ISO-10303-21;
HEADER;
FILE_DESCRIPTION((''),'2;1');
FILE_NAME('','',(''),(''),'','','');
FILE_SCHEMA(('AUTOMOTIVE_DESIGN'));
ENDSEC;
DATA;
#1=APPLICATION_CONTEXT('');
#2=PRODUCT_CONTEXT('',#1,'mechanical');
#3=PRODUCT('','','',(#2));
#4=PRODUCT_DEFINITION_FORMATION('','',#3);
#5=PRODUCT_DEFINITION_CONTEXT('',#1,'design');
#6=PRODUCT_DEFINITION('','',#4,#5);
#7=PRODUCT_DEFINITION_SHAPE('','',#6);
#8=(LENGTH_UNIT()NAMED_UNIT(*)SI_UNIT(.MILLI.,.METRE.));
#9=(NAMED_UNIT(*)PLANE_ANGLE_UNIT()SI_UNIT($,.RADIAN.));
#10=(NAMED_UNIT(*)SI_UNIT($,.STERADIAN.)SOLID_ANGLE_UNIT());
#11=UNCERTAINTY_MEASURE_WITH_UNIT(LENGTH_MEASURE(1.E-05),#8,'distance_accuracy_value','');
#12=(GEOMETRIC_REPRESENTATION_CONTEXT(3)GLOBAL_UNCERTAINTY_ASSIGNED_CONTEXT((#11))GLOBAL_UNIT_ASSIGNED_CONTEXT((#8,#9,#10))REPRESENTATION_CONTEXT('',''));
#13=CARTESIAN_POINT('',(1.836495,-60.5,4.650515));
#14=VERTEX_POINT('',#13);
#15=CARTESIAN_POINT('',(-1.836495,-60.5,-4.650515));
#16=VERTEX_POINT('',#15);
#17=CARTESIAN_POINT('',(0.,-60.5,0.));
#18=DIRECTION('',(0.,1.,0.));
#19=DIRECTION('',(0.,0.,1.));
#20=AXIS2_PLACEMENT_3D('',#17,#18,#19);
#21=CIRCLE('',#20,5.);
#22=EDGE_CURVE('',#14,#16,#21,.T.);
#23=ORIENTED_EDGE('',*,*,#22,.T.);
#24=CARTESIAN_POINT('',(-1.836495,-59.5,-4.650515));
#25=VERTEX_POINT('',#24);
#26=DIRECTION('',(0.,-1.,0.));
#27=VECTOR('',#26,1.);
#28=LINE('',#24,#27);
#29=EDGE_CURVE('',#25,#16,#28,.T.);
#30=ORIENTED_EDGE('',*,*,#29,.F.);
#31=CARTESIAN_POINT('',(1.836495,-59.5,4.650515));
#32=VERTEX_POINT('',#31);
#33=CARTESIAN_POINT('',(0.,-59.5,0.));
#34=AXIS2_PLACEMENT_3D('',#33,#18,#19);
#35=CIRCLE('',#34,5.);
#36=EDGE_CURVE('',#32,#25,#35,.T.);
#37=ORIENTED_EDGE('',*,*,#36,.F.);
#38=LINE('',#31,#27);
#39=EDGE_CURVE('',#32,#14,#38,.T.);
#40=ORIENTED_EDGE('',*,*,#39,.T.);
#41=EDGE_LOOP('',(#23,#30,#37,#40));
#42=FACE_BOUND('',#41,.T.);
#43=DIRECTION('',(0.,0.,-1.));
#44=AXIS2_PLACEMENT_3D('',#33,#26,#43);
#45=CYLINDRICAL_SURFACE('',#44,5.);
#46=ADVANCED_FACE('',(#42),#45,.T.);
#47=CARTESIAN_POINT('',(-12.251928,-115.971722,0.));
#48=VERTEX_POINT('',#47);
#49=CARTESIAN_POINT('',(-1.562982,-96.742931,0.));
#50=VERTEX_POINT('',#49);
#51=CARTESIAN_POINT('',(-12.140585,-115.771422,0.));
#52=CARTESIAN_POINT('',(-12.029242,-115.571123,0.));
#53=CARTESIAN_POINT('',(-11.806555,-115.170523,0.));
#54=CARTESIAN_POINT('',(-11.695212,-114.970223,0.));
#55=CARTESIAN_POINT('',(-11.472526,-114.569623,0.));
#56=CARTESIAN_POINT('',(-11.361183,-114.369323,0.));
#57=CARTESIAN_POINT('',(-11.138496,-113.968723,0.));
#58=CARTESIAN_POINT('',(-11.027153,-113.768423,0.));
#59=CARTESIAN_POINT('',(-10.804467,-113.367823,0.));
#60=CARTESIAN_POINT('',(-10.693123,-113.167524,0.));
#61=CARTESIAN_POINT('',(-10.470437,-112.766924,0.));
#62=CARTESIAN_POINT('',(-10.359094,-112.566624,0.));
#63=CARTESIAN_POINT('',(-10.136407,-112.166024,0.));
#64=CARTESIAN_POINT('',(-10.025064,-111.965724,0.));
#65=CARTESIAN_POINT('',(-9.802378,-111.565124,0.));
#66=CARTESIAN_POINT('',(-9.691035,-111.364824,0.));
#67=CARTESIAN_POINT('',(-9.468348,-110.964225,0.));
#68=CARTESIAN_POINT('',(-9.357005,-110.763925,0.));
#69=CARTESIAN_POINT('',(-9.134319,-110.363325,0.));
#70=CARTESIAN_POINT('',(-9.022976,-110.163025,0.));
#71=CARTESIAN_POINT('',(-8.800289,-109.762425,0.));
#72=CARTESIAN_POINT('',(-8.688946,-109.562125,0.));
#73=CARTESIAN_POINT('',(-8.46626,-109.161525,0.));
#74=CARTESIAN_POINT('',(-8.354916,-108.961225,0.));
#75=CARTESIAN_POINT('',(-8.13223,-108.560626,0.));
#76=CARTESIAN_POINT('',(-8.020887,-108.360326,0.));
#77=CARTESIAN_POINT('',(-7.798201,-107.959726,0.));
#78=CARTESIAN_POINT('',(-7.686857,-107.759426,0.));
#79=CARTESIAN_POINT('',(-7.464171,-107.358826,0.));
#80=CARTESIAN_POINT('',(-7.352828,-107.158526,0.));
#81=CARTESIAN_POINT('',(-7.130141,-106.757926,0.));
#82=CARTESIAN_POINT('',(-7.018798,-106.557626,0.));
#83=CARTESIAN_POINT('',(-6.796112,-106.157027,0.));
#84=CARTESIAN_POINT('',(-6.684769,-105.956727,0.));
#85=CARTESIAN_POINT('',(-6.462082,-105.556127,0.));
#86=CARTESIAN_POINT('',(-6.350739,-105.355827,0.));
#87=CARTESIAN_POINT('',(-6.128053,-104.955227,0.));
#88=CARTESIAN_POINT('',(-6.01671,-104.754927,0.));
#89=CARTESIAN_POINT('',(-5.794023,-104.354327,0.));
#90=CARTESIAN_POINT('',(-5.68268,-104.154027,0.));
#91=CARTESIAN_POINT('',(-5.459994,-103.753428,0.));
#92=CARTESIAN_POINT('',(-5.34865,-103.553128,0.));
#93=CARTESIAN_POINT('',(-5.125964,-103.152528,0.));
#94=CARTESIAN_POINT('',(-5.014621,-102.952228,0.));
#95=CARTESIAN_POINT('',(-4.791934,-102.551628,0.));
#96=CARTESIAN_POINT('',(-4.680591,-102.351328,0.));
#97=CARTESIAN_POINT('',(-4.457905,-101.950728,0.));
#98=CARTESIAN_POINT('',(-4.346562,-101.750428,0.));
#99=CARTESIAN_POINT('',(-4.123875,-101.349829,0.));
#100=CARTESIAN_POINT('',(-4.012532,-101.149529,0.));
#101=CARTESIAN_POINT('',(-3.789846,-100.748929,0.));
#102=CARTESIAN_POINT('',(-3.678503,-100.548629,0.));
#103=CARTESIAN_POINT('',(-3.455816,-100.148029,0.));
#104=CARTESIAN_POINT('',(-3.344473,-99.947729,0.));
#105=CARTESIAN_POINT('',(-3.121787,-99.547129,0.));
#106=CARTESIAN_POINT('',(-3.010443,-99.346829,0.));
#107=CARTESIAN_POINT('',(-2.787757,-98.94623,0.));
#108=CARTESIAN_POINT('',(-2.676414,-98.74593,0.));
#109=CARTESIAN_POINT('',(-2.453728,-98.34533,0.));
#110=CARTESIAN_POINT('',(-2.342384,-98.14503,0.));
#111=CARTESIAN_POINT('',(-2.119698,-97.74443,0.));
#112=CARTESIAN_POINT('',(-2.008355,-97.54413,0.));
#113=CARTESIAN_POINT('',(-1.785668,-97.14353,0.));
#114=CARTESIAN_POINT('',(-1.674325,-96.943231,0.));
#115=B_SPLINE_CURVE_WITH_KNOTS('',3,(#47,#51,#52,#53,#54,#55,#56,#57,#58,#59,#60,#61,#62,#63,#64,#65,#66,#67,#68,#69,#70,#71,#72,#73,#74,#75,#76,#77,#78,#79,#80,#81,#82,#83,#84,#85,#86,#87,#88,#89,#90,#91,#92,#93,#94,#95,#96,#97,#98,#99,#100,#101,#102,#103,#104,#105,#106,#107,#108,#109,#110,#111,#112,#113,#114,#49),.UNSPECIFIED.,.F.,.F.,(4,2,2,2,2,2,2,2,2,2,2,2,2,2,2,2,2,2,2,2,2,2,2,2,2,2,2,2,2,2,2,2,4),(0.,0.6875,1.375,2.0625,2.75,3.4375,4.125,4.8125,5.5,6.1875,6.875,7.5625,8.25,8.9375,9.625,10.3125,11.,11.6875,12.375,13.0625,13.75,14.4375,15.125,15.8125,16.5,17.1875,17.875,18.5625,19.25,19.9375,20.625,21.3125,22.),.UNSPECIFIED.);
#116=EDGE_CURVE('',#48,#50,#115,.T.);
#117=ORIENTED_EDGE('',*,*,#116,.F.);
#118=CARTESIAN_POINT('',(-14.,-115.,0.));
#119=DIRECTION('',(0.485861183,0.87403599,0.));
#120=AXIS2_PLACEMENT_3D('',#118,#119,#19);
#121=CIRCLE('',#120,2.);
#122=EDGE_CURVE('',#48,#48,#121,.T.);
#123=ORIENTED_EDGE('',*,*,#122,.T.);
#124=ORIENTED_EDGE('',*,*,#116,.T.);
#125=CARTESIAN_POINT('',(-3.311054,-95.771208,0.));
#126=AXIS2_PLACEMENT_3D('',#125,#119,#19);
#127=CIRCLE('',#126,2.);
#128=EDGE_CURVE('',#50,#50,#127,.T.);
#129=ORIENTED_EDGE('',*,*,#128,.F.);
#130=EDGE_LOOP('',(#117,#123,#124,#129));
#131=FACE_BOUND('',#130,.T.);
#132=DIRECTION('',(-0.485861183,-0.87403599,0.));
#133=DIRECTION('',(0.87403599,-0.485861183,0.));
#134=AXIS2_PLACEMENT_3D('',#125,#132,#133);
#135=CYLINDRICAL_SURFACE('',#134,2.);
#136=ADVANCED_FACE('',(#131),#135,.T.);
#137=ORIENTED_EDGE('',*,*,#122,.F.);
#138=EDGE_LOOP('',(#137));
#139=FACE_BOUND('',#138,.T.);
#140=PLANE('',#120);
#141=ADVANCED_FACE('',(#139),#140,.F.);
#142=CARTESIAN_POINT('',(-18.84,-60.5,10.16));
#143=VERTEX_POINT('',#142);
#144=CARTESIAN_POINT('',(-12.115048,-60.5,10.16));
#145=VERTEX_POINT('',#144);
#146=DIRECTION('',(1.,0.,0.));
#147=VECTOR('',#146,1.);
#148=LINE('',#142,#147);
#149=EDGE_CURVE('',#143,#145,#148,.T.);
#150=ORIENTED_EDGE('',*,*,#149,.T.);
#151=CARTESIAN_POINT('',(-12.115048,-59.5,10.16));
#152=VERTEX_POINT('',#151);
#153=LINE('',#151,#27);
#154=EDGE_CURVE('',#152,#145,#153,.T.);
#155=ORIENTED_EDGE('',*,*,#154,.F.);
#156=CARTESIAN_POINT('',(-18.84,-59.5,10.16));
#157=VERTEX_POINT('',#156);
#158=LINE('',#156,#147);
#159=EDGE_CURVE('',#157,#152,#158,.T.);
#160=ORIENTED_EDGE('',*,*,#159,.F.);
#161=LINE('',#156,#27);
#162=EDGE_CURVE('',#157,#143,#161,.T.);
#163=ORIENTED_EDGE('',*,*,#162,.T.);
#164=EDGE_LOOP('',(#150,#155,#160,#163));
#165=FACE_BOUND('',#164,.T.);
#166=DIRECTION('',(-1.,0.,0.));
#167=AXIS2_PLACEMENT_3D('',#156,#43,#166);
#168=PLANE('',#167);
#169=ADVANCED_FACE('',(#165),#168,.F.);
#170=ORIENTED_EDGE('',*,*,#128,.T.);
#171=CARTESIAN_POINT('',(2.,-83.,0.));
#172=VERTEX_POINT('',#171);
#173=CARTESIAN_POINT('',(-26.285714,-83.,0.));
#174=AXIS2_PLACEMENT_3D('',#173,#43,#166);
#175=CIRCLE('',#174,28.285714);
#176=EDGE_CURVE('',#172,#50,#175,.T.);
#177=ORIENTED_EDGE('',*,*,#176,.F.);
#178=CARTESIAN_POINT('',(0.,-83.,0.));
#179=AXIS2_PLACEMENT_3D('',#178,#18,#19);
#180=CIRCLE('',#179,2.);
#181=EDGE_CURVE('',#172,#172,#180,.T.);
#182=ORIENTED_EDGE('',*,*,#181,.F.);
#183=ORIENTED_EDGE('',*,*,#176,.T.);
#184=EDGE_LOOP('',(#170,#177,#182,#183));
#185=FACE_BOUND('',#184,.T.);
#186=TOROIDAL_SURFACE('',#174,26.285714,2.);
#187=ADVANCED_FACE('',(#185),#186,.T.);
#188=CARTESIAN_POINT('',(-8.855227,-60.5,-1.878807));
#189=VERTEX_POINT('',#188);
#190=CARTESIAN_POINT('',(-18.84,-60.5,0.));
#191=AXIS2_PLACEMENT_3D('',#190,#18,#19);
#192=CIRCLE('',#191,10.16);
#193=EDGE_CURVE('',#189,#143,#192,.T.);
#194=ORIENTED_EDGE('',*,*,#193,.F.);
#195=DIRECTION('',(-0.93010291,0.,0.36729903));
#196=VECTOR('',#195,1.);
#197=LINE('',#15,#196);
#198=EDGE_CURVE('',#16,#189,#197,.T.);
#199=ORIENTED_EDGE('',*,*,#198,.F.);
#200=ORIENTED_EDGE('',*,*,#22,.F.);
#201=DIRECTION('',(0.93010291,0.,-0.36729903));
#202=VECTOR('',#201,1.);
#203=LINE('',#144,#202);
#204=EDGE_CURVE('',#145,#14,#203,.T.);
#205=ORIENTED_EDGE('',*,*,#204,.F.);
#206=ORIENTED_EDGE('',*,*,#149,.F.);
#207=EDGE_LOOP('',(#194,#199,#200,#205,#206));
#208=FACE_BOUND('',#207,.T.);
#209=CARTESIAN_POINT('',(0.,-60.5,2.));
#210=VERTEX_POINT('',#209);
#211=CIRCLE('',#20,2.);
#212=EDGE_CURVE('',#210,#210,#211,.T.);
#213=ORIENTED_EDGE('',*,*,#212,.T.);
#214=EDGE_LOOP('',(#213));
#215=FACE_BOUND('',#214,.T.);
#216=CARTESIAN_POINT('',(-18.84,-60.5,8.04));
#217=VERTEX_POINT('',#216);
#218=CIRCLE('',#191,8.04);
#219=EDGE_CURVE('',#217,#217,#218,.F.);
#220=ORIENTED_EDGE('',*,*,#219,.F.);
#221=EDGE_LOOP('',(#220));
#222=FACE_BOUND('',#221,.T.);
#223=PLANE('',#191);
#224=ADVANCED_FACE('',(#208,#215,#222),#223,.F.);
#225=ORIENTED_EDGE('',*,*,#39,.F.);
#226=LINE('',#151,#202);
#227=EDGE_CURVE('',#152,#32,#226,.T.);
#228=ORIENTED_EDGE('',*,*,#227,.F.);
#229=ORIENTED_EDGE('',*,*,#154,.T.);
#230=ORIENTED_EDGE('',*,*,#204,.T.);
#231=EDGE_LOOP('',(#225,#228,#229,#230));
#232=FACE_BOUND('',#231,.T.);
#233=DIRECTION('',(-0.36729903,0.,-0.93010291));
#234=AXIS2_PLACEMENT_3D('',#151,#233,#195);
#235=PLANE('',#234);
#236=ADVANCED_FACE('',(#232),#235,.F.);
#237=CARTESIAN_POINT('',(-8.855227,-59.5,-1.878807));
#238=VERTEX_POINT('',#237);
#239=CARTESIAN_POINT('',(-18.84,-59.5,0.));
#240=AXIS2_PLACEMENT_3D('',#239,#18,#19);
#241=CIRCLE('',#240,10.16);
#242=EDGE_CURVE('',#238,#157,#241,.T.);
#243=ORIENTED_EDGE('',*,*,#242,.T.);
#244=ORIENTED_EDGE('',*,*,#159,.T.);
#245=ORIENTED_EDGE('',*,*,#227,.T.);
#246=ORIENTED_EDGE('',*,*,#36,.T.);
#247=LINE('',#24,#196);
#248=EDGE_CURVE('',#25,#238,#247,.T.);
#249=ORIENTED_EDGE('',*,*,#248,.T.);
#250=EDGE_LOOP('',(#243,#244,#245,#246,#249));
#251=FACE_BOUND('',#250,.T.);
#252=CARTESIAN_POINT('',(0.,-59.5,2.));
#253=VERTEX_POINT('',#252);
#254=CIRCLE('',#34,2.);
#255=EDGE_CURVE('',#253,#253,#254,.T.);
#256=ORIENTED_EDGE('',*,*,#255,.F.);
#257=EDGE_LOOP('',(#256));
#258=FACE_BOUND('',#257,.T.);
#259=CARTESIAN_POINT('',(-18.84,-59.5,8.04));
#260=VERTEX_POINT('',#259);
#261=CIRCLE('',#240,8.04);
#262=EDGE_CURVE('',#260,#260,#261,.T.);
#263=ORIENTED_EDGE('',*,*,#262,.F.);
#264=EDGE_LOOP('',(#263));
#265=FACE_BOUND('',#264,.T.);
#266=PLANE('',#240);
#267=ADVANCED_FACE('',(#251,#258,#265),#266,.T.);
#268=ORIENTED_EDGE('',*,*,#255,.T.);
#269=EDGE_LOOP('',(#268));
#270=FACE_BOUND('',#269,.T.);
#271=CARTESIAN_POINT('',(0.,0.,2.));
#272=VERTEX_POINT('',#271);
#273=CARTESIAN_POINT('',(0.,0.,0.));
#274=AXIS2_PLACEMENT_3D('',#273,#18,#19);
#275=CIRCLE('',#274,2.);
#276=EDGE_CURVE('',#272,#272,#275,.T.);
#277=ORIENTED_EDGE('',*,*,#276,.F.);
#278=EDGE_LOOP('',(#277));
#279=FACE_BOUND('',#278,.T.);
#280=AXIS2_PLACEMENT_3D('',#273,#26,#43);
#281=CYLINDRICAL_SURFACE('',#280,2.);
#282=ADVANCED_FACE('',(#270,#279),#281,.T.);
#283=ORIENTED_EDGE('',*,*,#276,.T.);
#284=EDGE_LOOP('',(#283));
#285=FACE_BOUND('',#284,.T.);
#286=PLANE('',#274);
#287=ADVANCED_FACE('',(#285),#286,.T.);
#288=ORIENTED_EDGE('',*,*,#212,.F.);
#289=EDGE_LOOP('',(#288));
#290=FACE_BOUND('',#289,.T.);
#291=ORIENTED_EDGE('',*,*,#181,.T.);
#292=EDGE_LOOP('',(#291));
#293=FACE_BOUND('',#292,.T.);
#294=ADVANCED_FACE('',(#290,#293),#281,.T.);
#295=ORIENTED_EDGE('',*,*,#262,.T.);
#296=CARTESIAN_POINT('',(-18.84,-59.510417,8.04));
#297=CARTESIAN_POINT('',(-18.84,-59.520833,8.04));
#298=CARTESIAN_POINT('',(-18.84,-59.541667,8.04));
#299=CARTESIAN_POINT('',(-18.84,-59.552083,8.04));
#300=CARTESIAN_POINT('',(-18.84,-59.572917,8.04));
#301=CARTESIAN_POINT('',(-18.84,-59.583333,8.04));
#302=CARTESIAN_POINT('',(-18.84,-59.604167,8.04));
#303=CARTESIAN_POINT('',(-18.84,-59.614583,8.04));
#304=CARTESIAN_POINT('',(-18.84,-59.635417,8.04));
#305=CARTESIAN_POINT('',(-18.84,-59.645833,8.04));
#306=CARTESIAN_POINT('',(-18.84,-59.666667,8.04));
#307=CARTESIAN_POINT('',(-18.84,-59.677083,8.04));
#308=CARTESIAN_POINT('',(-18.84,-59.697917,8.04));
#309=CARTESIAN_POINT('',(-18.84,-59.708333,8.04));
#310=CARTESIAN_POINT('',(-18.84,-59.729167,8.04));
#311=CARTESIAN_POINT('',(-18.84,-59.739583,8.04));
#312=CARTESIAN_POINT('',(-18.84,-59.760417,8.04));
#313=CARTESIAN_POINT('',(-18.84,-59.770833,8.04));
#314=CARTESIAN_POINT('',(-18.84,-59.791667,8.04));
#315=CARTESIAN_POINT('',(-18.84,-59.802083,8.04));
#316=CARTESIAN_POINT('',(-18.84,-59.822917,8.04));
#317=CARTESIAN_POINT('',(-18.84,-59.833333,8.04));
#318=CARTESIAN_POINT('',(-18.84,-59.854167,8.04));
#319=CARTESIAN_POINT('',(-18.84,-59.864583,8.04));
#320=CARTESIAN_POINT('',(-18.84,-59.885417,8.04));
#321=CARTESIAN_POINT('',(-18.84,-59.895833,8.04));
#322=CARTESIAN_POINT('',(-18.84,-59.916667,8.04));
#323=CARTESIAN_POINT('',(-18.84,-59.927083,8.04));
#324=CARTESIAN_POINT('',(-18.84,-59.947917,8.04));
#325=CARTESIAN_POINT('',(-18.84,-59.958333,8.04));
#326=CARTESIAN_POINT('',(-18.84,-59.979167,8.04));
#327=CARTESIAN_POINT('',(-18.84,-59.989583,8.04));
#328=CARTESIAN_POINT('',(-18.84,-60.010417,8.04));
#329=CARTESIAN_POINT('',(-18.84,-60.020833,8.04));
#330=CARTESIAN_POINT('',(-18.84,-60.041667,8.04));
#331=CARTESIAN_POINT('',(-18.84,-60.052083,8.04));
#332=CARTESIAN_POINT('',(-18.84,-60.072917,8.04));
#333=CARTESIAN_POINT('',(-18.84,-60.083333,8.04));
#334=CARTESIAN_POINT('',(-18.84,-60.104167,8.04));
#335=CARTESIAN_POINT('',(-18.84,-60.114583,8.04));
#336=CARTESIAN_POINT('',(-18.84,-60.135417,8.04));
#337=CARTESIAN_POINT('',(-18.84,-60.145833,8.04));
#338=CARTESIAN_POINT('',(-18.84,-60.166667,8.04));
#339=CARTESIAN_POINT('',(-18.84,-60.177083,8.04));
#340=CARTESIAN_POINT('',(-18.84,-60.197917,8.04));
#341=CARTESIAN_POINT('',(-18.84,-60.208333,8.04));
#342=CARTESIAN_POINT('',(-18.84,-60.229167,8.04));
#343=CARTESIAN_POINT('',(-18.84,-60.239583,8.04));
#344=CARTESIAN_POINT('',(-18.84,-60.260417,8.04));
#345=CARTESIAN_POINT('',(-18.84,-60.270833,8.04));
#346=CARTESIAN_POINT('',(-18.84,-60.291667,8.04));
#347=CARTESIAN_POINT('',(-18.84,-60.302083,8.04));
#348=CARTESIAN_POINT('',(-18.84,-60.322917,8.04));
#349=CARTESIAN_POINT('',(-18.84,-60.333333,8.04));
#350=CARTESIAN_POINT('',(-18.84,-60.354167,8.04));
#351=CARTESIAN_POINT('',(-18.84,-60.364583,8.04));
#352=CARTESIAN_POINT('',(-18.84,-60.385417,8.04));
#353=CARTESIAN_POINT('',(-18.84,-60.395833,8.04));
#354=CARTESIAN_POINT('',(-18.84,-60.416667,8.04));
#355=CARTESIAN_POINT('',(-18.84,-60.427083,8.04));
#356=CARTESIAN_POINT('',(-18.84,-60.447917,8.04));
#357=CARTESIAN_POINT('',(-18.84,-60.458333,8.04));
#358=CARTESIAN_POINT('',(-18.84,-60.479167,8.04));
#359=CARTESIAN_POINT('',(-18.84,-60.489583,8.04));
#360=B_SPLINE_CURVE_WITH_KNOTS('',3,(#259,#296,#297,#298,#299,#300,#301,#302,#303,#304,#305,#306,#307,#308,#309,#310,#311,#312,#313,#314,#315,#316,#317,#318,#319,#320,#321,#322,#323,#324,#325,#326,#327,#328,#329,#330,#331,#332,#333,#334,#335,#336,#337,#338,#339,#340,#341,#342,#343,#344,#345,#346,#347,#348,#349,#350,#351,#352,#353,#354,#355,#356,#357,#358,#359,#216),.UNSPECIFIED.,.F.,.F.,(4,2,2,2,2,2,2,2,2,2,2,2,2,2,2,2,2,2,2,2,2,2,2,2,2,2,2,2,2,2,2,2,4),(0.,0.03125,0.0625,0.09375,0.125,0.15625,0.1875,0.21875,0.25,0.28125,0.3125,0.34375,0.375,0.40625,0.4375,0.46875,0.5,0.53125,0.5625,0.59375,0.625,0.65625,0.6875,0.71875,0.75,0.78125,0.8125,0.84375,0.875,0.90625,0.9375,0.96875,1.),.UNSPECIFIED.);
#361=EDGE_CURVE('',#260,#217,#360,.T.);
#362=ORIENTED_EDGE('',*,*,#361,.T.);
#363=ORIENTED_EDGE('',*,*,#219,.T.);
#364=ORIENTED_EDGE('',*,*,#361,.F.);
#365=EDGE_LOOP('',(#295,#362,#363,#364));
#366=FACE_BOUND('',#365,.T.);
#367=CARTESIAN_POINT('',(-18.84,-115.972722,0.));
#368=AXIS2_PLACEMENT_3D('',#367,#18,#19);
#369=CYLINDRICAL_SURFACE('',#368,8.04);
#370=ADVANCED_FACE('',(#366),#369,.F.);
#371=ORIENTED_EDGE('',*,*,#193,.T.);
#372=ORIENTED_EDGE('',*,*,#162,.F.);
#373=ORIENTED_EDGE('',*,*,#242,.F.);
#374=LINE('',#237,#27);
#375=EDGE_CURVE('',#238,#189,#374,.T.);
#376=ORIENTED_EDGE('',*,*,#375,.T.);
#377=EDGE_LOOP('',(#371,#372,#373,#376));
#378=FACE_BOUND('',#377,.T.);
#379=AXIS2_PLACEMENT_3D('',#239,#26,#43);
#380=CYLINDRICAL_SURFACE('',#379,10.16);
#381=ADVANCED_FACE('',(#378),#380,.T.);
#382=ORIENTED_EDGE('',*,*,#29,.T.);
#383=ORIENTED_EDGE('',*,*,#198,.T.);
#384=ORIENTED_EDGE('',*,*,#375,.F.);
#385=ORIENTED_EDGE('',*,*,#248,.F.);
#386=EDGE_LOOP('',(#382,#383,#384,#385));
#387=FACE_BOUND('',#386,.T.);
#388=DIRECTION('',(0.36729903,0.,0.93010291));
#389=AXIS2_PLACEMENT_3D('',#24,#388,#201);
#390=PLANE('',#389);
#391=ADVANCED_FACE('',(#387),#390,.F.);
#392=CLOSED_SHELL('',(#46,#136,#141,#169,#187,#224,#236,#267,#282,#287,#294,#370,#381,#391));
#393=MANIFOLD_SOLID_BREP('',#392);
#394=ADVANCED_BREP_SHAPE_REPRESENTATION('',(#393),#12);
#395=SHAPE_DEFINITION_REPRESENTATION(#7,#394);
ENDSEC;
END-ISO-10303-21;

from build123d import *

# Parameters (mm, degrees)
SKETCH4_R           = 2
BOSS_EXTRUDE1_DEPTH = 0.5
CUT_EXTRUDE1_REACH  = 68.966
SKETCH6_R           = 8.04


with BuildPart() as part:
    # Sweep1: sweep along a path in Sketch2
    with BuildLine(Plane.XY) as sweep1_path:
        Line((0, 0), (0, -83))
        ThreePointArc((0, -83), (-0.841224391, -89.596719602), (-3.311053985, -95.771208226))
        Line((-3.311053985, -95.771208226), (-14, -115))
    # Sketch4 → Sweep1 (sweep)
    with BuildSketch(Plane(origin=(0, 0, 0), x_dir=(1, 0, 0), z_dir=(0, 1, 0))):
        Circle(SKETCH4_R)
    sweep(path=sweep1_path.line)

    # Sketch5 → Boss-Extrude1 (add, symmetric)
    with BuildSketch(Plane(origin=(0, -60, 0), x_dir=(1, 0, 0), z_dir=(0, 1, 0))):
        with BuildLine():
            Line((-18.84, -10.16), (-12.115048494, -10.16))
            Line((-12.115048494, -10.16), (1.836495151, -4.650514548))
            ThreePointArc((1.836495151, -4.650514548), (4.650514548, 1.836495151), (-1.836495151, 4.650514548))
            Line((-1.836495151, 4.650514548), (-8.855227327, 1.878806714))
            ThreePointArc((-8.855227327, 1.878806714), (-26.660302942, 6.486020497), (-18.84, -10.16))
        make_face()
    extrude(amount=BOSS_EXTRUDE1_DEPTH, both=True)

    # Sketch6 → Cut-Extrude1 (cut, up to next)
    with BuildSketch(Plane(origin=(0, -59.5, 0), x_dir=(1, 0, 0), z_dir=(0, 1, 0)), mode=Mode.PRIVATE) as cut_extrude1_sk1:
        with Locations(Location((-18.84, 0, 0), (0, 0, 270))):
            Circle(SKETCH6_R)
    cut_extrude1_tool1 = extrude(cut_extrude1_sk1.sketch, amount=-CUT_EXTRUDE1_REACH, mode=Mode.PRIVATE) & part.part
    add(cut_extrude1_tool1.solids().sort_by_distance((-18.84, -59.5, 0))[0], mode=Mode.SUBTRACT)


solid = part.part
